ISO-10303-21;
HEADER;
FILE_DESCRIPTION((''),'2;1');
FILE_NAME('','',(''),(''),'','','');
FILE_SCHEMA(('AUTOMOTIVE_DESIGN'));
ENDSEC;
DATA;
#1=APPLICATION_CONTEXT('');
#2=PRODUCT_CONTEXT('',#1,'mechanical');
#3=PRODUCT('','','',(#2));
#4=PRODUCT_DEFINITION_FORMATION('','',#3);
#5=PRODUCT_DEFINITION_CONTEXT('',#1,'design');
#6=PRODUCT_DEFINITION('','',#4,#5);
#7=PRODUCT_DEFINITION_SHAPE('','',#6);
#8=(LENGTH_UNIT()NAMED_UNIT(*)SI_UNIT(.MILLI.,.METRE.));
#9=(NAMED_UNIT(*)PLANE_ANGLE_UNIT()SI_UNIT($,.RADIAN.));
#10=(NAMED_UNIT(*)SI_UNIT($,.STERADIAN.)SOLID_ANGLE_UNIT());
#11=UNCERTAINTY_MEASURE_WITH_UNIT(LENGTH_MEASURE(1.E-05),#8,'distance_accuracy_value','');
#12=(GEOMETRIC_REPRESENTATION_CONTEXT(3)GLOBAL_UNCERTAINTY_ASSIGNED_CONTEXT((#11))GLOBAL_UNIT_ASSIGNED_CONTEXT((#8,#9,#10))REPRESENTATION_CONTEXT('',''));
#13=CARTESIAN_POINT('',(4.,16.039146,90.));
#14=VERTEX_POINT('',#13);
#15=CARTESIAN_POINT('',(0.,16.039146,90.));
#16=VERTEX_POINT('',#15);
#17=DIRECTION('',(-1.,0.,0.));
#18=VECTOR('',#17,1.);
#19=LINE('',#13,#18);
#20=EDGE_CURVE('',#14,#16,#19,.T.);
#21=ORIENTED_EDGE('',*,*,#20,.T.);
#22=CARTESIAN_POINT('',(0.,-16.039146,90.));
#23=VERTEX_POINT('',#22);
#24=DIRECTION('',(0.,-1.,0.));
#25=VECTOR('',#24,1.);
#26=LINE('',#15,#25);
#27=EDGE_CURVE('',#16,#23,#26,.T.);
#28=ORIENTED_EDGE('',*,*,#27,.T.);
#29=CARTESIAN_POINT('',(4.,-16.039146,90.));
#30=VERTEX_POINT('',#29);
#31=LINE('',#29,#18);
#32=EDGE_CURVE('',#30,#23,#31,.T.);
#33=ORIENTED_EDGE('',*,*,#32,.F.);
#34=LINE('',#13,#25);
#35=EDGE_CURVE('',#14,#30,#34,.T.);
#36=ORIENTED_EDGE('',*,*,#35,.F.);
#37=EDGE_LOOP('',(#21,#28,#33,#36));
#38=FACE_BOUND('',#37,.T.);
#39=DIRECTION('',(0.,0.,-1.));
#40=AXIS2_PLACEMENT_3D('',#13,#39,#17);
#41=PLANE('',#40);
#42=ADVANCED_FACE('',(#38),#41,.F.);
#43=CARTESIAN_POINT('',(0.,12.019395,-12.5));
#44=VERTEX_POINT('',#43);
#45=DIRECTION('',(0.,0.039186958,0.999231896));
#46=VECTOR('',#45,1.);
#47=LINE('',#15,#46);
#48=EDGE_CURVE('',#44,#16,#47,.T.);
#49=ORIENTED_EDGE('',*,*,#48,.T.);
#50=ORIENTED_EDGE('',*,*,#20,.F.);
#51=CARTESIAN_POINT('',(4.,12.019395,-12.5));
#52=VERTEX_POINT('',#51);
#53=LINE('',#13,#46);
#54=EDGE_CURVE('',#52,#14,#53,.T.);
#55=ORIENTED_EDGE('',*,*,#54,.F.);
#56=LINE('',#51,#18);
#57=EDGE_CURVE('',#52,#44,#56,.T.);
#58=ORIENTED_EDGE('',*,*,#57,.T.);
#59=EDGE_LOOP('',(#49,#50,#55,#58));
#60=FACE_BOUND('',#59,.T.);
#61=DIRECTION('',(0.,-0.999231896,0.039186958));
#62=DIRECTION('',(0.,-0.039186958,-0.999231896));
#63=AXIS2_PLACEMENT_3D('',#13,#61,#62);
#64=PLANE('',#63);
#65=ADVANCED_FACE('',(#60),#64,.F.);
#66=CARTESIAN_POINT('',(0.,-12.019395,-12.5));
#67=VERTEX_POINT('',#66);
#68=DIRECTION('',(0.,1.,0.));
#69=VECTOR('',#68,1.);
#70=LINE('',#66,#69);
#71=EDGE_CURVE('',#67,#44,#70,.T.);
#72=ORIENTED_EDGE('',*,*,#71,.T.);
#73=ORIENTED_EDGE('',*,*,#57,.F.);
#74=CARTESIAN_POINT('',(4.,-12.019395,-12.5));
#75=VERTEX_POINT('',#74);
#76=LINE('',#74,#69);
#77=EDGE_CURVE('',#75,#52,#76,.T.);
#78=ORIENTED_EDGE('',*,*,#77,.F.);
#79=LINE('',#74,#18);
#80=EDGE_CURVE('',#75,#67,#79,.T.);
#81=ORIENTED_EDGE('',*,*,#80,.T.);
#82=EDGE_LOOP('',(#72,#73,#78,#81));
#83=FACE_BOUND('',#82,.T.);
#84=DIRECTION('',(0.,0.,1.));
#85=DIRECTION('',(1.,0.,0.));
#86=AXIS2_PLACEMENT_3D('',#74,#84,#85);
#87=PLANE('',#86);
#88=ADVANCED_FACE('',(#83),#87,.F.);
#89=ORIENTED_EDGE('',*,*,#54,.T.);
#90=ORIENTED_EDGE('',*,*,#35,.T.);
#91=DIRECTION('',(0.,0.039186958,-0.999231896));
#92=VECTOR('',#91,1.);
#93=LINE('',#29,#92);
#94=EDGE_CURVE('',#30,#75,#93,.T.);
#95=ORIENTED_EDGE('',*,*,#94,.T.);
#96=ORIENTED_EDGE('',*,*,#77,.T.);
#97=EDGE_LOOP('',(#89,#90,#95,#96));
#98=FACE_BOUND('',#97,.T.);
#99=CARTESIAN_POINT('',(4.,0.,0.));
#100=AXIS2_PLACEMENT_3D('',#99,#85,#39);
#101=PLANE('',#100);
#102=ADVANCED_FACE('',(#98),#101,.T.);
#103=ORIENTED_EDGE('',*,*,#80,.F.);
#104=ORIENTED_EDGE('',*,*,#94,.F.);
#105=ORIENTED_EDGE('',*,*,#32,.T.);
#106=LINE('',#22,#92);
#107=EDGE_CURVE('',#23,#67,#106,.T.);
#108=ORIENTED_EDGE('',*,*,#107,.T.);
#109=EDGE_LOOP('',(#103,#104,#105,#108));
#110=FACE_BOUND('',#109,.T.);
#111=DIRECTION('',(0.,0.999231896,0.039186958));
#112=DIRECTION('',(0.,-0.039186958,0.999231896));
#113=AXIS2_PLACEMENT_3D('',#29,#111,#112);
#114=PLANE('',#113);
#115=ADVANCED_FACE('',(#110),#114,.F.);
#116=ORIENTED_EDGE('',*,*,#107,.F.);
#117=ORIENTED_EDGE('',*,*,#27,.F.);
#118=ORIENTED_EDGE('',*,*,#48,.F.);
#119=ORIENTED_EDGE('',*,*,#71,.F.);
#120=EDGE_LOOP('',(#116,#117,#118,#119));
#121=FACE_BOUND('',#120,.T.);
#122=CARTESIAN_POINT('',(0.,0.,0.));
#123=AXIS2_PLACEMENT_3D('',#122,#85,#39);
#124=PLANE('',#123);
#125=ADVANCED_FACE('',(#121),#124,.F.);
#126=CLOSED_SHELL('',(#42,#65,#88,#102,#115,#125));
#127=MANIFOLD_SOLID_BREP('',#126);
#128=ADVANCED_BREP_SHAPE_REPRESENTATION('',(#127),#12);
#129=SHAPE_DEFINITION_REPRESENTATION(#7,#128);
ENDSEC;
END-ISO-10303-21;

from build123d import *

# Parameters (mm, degrees)
BOSS_EXTRUDE1_DEPTH = 4


with BuildPart() as part:
    # Sketch1 → Boss-Extrude1 (new body)
    with BuildSketch(Plane(origin=(0, 0, 0), x_dir=(0, 0, -1), z_dir=(1, 0, 0))):
        Polygon((-90, 16.039145957), (-90, -16.039145957), (12.5, -12.019395168), (12.5, 12.019395168), align=None)
    extrude(amount=BOSS_EXTRUDE1_DEPTH)


solid = part.part
